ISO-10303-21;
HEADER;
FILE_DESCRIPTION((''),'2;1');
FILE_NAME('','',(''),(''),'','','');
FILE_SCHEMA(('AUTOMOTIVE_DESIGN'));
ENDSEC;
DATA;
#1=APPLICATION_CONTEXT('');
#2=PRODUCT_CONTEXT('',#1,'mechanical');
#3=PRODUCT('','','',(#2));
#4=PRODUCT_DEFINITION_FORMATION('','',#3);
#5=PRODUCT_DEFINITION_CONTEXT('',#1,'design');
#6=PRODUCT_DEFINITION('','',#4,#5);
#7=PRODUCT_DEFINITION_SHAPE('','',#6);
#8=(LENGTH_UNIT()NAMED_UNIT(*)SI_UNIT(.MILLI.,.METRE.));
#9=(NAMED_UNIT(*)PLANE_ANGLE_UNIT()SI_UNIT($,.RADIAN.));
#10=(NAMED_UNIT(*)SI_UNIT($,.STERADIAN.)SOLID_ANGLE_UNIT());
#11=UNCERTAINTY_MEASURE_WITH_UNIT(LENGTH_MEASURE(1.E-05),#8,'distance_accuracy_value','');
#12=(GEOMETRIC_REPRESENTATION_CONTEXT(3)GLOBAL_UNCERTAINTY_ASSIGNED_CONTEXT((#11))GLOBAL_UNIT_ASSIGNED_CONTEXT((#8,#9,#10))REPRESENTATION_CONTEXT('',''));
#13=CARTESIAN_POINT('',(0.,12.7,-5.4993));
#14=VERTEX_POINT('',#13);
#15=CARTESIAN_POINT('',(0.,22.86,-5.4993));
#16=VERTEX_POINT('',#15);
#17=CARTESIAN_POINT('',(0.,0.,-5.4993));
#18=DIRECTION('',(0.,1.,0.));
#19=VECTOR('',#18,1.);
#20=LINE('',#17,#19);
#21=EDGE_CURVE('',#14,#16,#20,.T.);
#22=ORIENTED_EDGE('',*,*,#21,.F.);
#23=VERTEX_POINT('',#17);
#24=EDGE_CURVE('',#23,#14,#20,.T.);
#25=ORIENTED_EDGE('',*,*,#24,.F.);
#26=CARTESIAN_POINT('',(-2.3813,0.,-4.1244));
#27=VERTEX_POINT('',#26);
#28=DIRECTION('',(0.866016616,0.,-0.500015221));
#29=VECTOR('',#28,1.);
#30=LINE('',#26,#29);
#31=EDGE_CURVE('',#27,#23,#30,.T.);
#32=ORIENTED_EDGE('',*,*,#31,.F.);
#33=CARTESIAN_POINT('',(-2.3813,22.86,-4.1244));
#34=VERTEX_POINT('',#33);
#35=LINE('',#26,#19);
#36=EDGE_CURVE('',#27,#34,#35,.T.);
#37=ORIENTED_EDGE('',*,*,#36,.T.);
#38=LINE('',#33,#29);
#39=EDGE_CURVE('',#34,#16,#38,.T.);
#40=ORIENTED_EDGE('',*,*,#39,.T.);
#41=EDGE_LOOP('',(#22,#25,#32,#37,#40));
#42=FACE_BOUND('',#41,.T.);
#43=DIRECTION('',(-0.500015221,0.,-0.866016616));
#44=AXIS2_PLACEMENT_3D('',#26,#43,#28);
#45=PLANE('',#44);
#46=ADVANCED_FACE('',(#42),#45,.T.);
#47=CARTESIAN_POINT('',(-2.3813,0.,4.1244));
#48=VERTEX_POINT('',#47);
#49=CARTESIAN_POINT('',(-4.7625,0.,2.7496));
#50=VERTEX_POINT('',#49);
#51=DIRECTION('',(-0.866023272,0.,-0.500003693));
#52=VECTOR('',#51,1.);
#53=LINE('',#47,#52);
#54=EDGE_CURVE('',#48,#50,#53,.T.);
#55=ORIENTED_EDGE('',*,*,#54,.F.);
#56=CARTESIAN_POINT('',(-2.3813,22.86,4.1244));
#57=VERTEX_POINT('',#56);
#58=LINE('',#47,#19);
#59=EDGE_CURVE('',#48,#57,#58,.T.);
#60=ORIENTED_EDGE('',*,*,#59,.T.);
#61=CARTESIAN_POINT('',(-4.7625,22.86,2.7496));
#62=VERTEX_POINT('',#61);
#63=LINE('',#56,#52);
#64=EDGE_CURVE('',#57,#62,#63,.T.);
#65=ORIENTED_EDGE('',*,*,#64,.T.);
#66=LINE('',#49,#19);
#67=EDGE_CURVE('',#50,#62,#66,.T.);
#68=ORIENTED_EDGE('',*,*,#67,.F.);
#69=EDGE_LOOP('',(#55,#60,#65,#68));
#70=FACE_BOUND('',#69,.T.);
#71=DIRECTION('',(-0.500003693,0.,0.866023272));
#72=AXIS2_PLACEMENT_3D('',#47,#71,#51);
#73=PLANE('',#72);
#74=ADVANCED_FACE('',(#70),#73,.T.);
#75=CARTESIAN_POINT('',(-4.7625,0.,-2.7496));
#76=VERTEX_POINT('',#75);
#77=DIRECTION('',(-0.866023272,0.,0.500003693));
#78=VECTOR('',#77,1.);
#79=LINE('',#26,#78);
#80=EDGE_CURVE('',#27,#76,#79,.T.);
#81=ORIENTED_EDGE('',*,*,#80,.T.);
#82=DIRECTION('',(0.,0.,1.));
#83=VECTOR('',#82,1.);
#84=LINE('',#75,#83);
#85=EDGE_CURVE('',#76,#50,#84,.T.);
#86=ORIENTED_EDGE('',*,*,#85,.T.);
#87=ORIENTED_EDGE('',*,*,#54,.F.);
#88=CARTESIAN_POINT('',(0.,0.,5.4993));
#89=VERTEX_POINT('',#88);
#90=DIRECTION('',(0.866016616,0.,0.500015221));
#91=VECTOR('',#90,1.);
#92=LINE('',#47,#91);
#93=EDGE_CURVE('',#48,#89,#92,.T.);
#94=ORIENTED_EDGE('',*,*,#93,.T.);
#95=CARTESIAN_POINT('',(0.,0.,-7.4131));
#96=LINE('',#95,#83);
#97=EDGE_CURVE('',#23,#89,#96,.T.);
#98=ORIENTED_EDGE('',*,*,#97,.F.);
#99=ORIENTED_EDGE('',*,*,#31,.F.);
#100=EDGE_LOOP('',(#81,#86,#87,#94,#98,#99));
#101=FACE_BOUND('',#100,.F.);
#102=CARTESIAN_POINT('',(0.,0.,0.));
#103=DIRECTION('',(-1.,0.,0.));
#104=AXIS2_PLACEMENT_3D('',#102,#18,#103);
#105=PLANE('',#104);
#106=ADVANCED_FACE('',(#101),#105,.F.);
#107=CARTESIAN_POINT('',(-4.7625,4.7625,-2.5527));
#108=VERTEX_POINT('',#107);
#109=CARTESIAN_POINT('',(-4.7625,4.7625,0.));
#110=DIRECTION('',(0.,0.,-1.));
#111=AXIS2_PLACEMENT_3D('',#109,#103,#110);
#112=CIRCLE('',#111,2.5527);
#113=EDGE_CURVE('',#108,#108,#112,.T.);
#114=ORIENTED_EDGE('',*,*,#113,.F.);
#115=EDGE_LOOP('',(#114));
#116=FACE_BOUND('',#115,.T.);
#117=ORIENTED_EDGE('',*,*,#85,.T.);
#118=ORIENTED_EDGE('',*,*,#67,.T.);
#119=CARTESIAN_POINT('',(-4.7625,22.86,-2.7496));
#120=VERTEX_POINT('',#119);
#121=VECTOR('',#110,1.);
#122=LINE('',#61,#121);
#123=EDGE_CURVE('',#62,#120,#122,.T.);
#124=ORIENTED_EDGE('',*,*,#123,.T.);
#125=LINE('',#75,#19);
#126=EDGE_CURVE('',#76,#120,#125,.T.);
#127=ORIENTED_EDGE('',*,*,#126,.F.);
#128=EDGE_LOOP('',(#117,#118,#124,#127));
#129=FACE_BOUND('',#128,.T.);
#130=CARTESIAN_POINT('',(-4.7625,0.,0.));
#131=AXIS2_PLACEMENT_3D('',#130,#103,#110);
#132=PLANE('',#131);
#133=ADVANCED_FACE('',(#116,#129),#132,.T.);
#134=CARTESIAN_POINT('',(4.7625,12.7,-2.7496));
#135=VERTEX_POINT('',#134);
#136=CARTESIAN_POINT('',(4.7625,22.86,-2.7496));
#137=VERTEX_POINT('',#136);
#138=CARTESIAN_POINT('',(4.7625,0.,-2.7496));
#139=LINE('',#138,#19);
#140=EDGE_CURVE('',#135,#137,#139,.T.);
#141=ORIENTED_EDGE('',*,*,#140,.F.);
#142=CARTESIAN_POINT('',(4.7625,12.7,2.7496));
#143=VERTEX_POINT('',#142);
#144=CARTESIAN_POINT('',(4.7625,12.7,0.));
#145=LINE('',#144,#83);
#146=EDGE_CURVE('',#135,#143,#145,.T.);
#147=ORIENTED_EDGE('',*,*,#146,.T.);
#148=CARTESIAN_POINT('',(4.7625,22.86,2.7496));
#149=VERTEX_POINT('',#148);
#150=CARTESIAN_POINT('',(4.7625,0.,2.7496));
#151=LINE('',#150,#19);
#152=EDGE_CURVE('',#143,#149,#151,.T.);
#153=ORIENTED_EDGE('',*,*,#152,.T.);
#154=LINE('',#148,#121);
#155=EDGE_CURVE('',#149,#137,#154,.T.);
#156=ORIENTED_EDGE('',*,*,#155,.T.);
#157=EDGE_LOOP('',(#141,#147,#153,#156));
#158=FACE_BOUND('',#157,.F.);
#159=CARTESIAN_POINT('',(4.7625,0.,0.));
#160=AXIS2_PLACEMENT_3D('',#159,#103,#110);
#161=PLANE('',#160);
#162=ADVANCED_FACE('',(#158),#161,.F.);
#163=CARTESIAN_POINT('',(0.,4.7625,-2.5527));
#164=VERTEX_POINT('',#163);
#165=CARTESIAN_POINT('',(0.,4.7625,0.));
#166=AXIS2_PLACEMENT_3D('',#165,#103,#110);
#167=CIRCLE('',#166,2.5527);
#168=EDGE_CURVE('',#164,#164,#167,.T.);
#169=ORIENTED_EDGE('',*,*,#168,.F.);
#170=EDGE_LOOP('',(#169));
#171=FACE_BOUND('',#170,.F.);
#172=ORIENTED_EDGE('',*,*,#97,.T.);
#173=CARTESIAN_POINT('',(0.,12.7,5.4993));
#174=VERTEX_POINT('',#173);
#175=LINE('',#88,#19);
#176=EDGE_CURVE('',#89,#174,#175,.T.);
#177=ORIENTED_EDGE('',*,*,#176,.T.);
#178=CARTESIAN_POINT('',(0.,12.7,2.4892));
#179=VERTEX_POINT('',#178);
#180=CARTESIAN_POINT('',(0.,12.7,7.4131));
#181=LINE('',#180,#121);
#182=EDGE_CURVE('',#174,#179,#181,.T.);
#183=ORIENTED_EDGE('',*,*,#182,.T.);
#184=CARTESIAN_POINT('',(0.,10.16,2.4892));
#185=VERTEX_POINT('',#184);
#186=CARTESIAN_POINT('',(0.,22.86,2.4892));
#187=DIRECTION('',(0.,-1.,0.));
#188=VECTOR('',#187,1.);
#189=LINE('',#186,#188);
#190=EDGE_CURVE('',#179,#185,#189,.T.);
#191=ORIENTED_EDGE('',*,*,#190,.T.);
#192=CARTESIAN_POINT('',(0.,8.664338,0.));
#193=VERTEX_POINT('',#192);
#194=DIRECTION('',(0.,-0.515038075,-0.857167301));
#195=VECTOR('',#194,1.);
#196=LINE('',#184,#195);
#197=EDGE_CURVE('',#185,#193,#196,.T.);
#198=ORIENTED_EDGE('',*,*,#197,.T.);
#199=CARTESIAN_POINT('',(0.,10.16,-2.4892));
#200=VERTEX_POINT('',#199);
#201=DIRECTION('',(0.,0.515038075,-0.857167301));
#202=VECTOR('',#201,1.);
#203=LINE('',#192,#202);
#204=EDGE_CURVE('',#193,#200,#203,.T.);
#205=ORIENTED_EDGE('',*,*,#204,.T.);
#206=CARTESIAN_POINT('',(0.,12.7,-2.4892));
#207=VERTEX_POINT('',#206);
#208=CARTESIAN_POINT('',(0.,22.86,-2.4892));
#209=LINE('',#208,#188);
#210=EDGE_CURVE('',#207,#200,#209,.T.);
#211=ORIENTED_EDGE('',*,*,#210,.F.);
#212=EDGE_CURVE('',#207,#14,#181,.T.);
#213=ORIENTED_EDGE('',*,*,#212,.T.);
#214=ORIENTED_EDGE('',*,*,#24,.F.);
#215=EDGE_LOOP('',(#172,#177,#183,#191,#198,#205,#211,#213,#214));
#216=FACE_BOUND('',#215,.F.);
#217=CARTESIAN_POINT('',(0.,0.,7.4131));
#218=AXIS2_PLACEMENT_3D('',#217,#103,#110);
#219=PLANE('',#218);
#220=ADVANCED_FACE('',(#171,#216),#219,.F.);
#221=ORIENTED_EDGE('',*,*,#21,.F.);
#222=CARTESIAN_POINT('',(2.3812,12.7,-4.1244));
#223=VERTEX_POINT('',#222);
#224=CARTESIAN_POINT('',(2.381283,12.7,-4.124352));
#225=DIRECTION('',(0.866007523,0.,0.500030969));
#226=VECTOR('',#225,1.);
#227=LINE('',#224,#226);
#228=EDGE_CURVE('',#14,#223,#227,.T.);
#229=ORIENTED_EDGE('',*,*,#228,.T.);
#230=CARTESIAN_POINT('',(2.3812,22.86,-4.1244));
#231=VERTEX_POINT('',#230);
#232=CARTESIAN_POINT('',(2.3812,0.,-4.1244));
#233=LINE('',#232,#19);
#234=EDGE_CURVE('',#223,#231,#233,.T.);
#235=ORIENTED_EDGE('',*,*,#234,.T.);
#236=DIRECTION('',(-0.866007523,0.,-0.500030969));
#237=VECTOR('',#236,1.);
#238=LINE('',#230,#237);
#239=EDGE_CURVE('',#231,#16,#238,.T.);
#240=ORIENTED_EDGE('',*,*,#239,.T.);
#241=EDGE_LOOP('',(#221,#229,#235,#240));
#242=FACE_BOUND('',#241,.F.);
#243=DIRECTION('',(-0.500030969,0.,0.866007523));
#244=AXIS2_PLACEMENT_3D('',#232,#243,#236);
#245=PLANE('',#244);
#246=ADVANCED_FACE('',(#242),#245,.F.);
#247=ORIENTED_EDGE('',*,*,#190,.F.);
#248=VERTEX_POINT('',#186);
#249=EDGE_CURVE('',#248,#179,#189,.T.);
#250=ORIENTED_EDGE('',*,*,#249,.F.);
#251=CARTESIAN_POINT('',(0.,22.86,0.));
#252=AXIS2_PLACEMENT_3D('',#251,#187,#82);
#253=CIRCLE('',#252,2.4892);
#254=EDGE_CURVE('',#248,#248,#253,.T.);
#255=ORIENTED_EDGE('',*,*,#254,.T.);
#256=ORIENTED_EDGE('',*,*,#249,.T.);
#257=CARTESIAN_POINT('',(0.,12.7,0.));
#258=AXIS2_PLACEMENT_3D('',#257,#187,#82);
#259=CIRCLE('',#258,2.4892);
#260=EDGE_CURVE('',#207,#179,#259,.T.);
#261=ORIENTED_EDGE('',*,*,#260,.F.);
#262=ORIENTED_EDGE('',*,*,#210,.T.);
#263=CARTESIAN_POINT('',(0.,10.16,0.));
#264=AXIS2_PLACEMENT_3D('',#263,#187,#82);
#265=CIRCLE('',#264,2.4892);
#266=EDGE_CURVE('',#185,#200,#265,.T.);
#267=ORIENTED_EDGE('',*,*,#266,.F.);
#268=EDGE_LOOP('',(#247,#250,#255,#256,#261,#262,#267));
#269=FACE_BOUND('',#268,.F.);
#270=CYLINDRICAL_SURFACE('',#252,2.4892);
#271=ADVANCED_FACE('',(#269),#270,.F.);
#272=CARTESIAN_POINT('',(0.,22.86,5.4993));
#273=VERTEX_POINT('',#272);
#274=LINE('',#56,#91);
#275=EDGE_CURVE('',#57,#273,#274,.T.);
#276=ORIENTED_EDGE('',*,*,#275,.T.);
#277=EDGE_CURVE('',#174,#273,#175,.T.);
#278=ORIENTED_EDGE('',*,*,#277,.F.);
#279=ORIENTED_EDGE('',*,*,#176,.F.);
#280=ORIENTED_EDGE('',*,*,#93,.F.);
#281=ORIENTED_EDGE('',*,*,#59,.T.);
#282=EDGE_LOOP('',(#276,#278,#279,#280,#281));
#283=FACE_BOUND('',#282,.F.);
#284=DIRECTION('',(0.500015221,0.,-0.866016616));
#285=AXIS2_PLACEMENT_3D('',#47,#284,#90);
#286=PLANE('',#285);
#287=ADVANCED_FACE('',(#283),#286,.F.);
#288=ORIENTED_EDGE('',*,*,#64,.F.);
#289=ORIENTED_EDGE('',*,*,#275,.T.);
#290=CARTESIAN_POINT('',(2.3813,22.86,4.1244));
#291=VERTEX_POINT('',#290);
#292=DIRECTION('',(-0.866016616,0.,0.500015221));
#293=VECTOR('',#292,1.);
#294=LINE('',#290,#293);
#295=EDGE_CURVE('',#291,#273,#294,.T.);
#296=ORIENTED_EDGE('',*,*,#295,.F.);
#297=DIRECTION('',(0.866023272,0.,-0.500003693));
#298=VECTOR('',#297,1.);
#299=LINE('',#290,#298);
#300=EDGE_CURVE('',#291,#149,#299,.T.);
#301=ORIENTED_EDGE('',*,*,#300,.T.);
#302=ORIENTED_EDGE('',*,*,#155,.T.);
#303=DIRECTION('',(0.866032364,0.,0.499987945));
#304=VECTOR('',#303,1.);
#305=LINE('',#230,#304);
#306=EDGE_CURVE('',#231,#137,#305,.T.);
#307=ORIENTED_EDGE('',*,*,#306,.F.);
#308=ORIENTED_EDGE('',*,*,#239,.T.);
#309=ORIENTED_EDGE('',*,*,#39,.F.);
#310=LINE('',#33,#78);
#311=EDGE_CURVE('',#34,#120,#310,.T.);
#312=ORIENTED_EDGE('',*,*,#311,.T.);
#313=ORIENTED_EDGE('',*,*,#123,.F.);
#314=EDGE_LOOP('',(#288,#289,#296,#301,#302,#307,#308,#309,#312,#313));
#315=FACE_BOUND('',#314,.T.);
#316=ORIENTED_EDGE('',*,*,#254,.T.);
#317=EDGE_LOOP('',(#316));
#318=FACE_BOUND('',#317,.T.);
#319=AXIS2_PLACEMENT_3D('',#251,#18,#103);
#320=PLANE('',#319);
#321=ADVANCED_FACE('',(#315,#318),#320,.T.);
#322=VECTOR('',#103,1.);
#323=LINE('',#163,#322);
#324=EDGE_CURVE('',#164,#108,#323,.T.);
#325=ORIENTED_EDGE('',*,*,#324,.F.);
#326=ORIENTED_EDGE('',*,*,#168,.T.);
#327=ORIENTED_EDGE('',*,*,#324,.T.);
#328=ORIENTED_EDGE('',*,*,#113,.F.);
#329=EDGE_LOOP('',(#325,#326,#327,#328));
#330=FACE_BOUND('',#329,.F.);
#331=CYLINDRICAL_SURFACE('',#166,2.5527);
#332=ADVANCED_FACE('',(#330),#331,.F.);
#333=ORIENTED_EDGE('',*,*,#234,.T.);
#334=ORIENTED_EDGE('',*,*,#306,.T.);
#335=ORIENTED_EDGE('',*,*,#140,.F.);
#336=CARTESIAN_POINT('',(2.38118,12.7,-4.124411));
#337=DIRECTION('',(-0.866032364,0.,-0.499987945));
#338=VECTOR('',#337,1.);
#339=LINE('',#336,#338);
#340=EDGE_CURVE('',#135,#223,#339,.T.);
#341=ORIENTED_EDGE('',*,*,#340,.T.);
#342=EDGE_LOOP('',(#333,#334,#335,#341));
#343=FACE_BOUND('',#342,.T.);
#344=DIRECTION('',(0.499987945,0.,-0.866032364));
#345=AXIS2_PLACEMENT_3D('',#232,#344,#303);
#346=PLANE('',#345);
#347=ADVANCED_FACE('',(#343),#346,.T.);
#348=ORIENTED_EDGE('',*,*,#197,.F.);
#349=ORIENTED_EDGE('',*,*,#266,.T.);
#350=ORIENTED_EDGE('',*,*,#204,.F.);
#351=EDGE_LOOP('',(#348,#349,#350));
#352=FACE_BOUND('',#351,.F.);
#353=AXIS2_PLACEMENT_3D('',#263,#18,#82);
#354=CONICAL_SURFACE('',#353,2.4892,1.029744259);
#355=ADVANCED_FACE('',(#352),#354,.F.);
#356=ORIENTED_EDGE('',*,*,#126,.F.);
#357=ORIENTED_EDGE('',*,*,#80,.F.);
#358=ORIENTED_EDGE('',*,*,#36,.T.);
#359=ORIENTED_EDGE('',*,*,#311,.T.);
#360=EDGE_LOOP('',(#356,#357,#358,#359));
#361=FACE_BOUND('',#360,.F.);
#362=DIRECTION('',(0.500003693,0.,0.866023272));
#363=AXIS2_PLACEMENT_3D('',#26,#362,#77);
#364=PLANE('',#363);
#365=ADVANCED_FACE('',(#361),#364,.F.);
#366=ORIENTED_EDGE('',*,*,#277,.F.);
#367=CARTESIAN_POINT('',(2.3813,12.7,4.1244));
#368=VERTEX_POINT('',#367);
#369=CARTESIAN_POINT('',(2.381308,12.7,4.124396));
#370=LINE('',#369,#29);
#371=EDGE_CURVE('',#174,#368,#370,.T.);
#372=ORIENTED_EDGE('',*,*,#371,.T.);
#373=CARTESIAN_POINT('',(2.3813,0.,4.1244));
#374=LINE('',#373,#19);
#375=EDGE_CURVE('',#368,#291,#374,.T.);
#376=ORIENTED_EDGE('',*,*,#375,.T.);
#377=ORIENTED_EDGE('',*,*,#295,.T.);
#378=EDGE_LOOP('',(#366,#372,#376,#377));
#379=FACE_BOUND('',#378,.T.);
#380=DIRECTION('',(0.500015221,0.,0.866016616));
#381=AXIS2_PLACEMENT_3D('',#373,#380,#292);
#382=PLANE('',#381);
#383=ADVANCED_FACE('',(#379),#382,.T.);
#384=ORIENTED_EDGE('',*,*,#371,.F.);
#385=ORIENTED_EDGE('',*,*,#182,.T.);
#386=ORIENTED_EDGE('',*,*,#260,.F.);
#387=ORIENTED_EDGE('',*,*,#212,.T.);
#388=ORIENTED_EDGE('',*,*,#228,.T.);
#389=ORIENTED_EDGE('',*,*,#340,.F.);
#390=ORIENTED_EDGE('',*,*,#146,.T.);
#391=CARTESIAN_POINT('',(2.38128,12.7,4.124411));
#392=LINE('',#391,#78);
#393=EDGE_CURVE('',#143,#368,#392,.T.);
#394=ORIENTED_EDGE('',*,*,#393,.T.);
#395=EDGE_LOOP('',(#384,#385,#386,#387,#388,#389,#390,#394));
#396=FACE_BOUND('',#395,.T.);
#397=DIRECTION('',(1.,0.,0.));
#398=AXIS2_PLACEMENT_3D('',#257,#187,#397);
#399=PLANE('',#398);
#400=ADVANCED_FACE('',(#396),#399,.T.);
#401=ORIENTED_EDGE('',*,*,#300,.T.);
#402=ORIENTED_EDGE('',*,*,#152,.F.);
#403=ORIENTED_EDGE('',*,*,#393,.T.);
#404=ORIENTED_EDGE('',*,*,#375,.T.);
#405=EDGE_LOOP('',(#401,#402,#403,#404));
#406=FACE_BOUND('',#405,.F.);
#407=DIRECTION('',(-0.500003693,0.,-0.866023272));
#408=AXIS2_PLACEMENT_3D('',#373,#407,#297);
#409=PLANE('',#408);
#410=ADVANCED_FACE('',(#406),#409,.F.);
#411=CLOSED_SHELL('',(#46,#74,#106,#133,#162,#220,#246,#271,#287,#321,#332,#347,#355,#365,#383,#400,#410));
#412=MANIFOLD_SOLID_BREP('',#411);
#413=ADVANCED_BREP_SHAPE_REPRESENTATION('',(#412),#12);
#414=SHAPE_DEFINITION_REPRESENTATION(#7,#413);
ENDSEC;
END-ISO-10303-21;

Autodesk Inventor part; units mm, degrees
ref_plane "YZ Plane" through (0, 0, 0) normal (1, 0, 0) x (0, 1, 0)
ref_plane "XZ Plane" through (0, 0, 0) normal (0, 1, 0) x (-1, 0, 0)
ref_plane "XY Plane" through (0, 0, 0) normal (0, 0, 1) x (1, 0, 0)
sketch "Sketch1" plane through (0, 0, 0) normal (0, 1, 0) x (-1, 0, 0)
  line L0 (0, 0) -> (4.7625, 0)
  line L1 (4.7625, 0) -> (4.7625, -2.7496)
  line L2 (4.7625, 0) -> (7.5121, 0) construction
  line L3 (4.7625, 0) -> (4.7625, 2.7496)
  line L4 (2.3813, 4.1244) -> (0, 5.4993)
  line L5 (2.3813, 4.1244) -> (4.7625, 2.7496)
  line L6 (-2.3813, 4.1244) -> (-4.7625, 2.7496)
  line L7 (-2.3813, 4.1244) -> (0, 5.4993)
  line L8 (-4.7625, 0) -> (-4.7625, -2.7496)
  line L9 (-4.7625, 0) -> (-4.7625, 2.7496)
  line L10 (-2.3812, -4.1244) -> (0, -5.4993)
  line L11 (-2.3812, -4.1244) -> (-4.7625, -2.7496)
  line L12 (2.3813, -4.1244) -> (4.7625, -2.7496)
  line L13 (2.3813, -4.1244) -> (0, -5.4993)
  line L14 (4.7625, 2.7496) -> (4.7625, -2.7496)
  line L15 (4.7625, -2.7496) -> (0, -5.4993)
  line L16 (0, -5.4993) -> (-4.7625, -2.7496)
  line L17 (-4.7625, -2.7496) -> (-4.7625, 2.7496)
  line L18 (-4.7625, 2.7496) -> (0, 5.4993)
  line L19 (4.7625, 2.7496) -> (0, 5.4993)
  dimension "d0" = 4.7625
  dimension "d1" = 90
  dimension "d4" = 360
extrude "Extrusion1" add sketch "Sketch1" along normal blind 22.86
sketch "Sketch2" plane through (0, 22.86, 0) normal (0, 1, 0) x (1, 0, 0)
  point P0 (0, 0)
  point P1 (0, 0)
hole "Hole1" at (0, 22.86, 0) direction (0, -1, 0) diameter 4.9784 depth 12.7 tip angle 118 thread size "1/4-20 UNC" class "2B" standard "ANSI Unified Screw Threads"
sketch "Sketch3" plane through (0, 0, 0) normal (0, -1, 0) x (1, 0, 0)
  line L0 (0, 0) -> (9.2843, 0)
  line L1 (9.2843, 0) -> (9.2843, -7.4131)
  line L2 (9.2843, -7.4131) -> (0, -7.4131)
  line L3 (0, -7.4131) -> (0, 0)
  line L4 (9.2843, 0) -> (9.2843, 7.4131)
  line L5 (9.2843, 7.4131) -> (0, 7.4131)
  line L6 (0, 7.4131) -> (0, 0)
extrude "Extrusion2" cut sketch "Sketch3" against normal blind 12.7
sketch "Sketch5" plane through (0, 0, 5.4993) normal (1, 0, 0) x (0, 0, -1)
  line L0 (10.9985, 0) -> (10.9985, 12.7) projected
  line L1 (0, 0) -> (0, 12.7) projected
  line L2 (5.4993, 0) -> (5.4993, 4.7625)
  circle A0 centre (5.4993, 4.7625) radius 3.3782
  dimension "d17" = 4.7625
  dimension "d18" = 6.7564
hole "Hole2" at (0, 4.7625, 0) direction (-1, 0, 0) diameter 5.1054 end through all clearance for "Flat Head Machine Screw (82)" size "#10" standard "Ansi Unified Screw Threads"
properties part number "feet type 3 part 1 hexagon stock 10-32 hole" material "Aluminum 6061"
